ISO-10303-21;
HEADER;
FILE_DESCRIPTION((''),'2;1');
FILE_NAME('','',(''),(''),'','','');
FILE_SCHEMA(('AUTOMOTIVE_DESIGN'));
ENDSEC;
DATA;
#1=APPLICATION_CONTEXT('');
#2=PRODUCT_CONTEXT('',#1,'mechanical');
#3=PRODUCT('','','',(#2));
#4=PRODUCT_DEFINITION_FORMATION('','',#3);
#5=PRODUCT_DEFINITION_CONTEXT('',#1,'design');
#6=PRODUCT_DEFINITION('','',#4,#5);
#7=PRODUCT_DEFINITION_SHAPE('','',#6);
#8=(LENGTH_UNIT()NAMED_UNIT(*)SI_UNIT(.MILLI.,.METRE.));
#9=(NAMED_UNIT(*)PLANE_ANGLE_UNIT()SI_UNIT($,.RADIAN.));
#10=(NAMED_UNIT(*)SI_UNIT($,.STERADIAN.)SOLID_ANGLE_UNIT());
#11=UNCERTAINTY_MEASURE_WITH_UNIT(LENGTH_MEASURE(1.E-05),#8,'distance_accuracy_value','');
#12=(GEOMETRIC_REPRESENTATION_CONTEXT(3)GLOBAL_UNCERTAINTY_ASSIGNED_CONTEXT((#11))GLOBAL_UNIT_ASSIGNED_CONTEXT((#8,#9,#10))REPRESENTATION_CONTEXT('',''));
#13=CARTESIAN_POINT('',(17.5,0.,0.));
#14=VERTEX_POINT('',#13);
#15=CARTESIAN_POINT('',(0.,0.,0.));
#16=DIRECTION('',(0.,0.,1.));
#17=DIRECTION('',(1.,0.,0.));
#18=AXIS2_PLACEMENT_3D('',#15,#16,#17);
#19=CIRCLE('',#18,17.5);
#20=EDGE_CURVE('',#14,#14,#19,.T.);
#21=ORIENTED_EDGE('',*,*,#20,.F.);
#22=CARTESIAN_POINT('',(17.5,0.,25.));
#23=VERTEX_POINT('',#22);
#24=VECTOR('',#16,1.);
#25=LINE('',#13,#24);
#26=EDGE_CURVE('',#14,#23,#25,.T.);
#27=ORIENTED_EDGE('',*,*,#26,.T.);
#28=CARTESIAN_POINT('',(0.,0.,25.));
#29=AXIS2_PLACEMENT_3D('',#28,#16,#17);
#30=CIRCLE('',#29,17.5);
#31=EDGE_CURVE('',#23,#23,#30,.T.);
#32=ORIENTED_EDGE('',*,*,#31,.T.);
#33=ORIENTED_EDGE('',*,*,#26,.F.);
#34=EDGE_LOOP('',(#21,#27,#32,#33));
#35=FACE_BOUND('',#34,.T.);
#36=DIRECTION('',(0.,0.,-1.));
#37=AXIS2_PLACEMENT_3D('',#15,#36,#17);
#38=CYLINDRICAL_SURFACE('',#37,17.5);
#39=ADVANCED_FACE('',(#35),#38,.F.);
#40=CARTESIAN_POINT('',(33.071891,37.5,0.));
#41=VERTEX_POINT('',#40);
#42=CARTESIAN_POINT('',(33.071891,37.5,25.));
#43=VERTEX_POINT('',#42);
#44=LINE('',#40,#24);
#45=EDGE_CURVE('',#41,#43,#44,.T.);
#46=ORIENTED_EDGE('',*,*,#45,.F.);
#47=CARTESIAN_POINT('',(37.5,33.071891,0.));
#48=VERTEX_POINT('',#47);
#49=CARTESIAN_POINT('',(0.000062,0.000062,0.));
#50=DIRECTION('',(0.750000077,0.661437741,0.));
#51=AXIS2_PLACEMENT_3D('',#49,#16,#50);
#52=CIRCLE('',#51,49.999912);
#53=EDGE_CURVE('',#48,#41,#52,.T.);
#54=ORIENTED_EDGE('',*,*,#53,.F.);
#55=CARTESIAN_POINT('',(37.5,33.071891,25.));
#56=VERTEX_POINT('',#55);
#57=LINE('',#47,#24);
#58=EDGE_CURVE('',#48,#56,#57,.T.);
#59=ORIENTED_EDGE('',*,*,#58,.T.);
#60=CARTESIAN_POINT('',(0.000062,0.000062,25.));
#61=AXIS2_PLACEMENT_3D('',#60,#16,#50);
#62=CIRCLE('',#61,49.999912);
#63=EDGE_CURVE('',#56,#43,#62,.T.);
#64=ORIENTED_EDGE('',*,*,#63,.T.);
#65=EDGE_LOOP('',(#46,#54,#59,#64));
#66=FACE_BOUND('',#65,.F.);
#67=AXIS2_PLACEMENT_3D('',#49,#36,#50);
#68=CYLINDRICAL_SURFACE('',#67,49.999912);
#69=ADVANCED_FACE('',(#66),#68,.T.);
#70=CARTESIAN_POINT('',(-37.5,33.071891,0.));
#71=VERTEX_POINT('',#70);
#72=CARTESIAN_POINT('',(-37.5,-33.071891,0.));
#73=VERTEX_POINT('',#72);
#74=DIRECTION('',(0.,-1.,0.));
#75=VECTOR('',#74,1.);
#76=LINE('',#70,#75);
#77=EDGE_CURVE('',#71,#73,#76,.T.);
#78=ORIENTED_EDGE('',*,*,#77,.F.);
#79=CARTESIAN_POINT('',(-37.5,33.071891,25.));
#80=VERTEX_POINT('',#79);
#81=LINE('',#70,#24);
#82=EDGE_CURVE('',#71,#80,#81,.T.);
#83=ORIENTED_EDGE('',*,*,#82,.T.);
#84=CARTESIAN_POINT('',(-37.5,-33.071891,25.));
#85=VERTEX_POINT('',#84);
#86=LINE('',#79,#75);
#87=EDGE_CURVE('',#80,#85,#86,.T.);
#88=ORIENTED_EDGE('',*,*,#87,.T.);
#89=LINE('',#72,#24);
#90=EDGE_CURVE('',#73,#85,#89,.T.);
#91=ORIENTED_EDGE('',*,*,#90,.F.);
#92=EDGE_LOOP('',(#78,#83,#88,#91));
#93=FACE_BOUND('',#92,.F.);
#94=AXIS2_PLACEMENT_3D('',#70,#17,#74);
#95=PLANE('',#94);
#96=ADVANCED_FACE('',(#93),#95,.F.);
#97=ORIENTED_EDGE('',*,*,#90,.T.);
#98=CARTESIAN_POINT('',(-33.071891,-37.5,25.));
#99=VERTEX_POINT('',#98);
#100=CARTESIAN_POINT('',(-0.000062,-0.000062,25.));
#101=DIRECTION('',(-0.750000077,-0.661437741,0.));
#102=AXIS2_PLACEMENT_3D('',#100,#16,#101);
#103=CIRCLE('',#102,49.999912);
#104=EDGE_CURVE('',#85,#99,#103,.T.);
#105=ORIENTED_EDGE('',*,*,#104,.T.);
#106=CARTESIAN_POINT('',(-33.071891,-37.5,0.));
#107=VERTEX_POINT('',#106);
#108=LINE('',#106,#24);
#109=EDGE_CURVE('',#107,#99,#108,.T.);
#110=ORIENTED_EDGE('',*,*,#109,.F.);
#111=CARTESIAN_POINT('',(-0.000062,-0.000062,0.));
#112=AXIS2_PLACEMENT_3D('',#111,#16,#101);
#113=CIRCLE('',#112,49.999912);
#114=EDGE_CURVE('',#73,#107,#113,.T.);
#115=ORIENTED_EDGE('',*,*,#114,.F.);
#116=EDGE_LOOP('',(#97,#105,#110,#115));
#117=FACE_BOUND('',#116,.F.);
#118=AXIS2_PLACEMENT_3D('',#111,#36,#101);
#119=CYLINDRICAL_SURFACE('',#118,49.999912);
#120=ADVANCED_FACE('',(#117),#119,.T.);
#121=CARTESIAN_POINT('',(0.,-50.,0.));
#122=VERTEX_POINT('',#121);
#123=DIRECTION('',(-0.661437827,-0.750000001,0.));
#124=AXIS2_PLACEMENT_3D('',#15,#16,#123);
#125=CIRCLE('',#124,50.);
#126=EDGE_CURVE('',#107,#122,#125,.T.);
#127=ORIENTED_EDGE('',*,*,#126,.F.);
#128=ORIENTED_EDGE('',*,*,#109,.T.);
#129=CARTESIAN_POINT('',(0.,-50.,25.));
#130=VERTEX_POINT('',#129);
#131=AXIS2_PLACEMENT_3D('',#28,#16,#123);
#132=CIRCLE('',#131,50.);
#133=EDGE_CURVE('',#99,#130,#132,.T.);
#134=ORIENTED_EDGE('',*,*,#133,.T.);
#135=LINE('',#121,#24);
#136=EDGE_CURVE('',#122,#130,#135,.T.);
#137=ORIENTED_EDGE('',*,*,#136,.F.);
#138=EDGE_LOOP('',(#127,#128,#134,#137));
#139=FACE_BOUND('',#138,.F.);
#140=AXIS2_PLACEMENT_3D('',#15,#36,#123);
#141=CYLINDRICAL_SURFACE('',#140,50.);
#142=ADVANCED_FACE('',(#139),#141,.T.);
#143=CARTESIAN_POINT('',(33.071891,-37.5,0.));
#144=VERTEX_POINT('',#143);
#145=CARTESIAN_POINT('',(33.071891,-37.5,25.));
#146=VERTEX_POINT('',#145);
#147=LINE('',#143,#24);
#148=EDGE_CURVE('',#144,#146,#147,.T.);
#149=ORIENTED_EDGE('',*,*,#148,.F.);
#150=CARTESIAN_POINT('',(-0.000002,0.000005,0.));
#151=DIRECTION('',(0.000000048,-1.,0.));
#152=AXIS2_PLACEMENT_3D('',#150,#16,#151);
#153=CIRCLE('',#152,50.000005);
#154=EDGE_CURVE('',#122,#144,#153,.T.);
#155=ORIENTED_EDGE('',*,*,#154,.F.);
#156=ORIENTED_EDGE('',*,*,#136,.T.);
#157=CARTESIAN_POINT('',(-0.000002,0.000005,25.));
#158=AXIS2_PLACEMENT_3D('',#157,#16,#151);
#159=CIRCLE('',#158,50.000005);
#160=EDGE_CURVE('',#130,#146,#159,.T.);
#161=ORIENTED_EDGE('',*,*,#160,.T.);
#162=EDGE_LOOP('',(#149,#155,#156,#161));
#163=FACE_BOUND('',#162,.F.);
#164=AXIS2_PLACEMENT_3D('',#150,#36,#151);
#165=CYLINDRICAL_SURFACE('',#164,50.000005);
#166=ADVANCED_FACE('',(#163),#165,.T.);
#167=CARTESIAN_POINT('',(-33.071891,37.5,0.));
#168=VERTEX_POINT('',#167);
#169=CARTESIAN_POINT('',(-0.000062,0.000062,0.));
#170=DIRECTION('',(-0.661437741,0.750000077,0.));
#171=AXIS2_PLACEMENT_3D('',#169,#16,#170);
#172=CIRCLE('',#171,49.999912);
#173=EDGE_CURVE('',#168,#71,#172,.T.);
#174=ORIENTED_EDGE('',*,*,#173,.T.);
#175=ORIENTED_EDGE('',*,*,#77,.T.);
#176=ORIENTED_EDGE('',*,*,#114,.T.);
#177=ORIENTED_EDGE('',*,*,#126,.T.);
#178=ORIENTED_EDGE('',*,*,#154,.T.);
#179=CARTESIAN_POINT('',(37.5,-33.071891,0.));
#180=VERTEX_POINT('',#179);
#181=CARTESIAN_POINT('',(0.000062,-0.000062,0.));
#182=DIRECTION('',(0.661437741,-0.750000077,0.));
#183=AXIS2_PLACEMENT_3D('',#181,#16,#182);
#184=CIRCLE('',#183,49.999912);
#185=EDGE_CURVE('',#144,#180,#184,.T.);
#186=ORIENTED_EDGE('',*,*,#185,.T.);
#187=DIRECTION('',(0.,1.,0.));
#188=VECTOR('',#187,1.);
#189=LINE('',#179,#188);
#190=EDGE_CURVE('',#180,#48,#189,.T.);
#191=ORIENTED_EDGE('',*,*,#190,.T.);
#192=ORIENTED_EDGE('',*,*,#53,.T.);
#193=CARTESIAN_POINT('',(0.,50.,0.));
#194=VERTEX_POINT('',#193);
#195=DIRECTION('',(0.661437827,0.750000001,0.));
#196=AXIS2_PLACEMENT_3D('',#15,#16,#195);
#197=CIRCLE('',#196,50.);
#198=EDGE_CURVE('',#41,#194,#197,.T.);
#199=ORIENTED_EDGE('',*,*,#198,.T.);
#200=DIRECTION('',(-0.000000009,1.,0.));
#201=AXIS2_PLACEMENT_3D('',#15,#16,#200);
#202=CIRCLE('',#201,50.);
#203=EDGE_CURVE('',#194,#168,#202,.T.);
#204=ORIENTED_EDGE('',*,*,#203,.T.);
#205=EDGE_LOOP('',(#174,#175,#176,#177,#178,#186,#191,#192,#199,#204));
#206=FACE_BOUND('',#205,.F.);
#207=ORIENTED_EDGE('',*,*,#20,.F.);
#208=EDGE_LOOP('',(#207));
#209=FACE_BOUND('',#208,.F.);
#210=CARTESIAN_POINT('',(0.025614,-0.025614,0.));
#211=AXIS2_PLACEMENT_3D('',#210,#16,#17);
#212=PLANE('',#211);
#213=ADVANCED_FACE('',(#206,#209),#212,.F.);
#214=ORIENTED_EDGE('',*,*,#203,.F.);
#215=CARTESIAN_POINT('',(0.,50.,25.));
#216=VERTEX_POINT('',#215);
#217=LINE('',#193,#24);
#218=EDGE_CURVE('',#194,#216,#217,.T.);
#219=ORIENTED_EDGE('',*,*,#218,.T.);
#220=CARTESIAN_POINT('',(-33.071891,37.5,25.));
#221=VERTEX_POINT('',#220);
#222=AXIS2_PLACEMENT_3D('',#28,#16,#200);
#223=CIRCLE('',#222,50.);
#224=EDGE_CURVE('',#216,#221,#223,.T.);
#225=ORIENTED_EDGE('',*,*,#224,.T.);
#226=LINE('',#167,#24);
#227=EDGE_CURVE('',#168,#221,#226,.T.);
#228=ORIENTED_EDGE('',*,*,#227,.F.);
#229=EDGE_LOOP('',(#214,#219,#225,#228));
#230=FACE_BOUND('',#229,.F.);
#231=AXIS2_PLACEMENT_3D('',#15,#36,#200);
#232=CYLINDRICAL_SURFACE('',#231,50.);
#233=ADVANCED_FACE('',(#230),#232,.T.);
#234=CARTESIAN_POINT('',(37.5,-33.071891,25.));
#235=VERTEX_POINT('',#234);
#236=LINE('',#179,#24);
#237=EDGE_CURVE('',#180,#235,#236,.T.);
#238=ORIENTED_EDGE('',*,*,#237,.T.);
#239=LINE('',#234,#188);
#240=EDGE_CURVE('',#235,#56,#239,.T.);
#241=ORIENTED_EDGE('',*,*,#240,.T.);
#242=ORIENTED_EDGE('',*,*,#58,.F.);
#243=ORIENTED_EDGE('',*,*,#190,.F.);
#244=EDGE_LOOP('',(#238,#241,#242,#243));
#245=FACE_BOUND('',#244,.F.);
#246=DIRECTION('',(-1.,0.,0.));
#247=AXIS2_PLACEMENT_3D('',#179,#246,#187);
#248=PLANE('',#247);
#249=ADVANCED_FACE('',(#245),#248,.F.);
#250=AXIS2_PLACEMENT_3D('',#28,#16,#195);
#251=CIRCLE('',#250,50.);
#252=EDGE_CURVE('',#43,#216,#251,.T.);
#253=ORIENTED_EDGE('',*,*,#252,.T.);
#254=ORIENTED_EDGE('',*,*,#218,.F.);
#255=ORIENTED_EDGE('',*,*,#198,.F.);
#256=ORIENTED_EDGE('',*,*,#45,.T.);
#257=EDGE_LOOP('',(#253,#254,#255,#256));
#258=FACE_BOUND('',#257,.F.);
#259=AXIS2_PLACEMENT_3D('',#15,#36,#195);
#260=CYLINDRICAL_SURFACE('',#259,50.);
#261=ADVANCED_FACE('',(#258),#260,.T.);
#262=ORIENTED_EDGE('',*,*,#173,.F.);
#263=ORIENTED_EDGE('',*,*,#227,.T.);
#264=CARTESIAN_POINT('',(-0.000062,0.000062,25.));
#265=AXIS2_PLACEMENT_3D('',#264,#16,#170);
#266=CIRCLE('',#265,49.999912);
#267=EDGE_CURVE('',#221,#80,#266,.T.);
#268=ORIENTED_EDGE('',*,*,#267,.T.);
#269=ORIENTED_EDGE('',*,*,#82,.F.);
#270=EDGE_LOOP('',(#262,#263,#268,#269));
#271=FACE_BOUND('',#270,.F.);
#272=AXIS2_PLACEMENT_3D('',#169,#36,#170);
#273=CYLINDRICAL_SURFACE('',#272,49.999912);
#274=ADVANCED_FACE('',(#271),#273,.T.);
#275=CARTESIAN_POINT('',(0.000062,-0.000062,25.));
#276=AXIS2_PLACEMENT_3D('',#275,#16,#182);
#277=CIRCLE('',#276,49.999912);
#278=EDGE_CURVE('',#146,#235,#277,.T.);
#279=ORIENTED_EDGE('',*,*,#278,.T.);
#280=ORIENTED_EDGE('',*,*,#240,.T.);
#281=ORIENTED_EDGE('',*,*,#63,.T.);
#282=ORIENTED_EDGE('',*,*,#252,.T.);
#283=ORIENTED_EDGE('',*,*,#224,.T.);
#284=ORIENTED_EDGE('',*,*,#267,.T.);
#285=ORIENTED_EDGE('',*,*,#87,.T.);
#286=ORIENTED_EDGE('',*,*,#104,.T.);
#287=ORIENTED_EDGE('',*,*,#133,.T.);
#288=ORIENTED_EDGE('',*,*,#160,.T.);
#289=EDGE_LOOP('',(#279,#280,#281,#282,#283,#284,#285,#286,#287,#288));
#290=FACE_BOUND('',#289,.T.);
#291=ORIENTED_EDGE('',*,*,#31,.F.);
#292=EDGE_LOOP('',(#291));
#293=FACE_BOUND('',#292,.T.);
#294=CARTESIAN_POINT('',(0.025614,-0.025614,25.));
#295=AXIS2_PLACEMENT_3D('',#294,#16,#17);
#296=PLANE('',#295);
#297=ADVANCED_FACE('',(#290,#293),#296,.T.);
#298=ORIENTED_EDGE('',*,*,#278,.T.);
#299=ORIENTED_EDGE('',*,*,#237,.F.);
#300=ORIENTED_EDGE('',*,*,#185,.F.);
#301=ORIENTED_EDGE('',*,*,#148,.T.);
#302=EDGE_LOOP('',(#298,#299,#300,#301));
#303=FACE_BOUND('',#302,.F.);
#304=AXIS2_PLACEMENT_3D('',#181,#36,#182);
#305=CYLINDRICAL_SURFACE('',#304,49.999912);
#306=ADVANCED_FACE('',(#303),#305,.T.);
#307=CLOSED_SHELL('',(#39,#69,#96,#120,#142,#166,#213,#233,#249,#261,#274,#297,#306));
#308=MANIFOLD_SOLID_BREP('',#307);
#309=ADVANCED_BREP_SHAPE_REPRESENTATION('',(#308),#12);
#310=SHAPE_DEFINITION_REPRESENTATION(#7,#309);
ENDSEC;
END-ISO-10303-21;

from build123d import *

# Parameters (mm, degrees)
F0_R     = 17.5
F1_DEPTH = 25


with BuildPart() as f1:
    # F0 (on Top) → F1 (new body)
    with BuildSketch(Plane.XY):
        with BuildLine():
            ThreePointArc((-33.071891, -37.5), (-17.67767, -46.770717), (0, -50))
            ThreePointArc((0, -50), (17.677669, -46.770717), (33.071891, -37.5))
            Line((33.071891, -37.5), (13.5, -37.5))
            Line((13.5, -37.5), (13.5, -26))
            Line((13.5, -26), (37.5, -26))
            Line((37.5, -26), (37.5, 0))
            Line((37.5, 0), (37.5, 25.5))
            Line((37.5, 25.5), (13.5, 25.5))
            Line((13.5, 25.5), (13.5, 37.5))
            Line((13.5, 37.5), (33.071891, 37.5))
            ThreePointArc((33.071891, 37.5), (17.67767, 46.770717), (0, 50))
            ThreePointArc((0, 50), (-17.67767, 46.770717), (-33.071891, 37.5))
            Line((-33.071891, 37.5), (-13.5, 37.5))
            Line((-13.5, 37.5), (-13.5, 25.5))
            Line((-13.5, 25.5), (-37.5, 25.5))
            Line((-37.5, 25.5), (-37.5, 0))
            Line((-37.5, 0), (-37.5, -25.5))
            Line((-37.5, -25.5), (-13.5, -25.5))
            Line((-13.5, -25.5), (-13.5, -37.5))
            Line((-13.5, -37.5), (-33.071891, -37.5))
        make_face()
        Circle(F0_R, mode=Mode.SUBTRACT)
        with BuildLine():
            ThreePointArc((-33.071891, 37.5), (-35.355339, 35.355339), (-37.5, 33.071891))
            Line((-37.5, 33.071891), (-37.5, 25.5))
            Line((-37.5, 25.5), (-13.5, 25.5))
            Line((-13.5, 25.5), (-13.5, 37.5))
            Line((-13.5, 37.5), (-33.071891, 37.5))
        make_face()
        with BuildLine():
            Line((37.5, 25.5), (37.5, 33.071891))
            ThreePointArc((37.5, 33.071891), (35.355339, 35.355339), (33.071891, 37.5))
            Line((33.071891, 37.5), (13.5, 37.5))
            Line((13.5, 37.5), (13.5, 25.5))
            Line((13.5, 25.5), (37.5, 25.5))
        make_face()
        with BuildLine():
            Line((13.5, -37.5), (33.071891, -37.5))
            ThreePointArc((33.071891, -37.5), (35.355339, -35.355339), (37.5, -33.071891))
            Line((37.5, -33.071891), (37.5, -26))
            Line((37.5, -26), (13.5, -26))
            Line((13.5, -26), (13.5, -37.5))
        make_face()
        with BuildLine():
            ThreePointArc((-37.5, -33.071891), (-35.355339, -35.355339), (-33.071891, -37.5))
            Line((-33.071891, -37.5), (-13.5, -37.5))
            Line((-13.5, -37.5), (-13.5, -25.5))
            Line((-13.5, -25.5), (-37.5, -25.5))
            Line((-37.5, -25.5), (-37.5, -33.071891))
        make_face()
    extrude(amount=F1_DEPTH)


solid = f1.part
